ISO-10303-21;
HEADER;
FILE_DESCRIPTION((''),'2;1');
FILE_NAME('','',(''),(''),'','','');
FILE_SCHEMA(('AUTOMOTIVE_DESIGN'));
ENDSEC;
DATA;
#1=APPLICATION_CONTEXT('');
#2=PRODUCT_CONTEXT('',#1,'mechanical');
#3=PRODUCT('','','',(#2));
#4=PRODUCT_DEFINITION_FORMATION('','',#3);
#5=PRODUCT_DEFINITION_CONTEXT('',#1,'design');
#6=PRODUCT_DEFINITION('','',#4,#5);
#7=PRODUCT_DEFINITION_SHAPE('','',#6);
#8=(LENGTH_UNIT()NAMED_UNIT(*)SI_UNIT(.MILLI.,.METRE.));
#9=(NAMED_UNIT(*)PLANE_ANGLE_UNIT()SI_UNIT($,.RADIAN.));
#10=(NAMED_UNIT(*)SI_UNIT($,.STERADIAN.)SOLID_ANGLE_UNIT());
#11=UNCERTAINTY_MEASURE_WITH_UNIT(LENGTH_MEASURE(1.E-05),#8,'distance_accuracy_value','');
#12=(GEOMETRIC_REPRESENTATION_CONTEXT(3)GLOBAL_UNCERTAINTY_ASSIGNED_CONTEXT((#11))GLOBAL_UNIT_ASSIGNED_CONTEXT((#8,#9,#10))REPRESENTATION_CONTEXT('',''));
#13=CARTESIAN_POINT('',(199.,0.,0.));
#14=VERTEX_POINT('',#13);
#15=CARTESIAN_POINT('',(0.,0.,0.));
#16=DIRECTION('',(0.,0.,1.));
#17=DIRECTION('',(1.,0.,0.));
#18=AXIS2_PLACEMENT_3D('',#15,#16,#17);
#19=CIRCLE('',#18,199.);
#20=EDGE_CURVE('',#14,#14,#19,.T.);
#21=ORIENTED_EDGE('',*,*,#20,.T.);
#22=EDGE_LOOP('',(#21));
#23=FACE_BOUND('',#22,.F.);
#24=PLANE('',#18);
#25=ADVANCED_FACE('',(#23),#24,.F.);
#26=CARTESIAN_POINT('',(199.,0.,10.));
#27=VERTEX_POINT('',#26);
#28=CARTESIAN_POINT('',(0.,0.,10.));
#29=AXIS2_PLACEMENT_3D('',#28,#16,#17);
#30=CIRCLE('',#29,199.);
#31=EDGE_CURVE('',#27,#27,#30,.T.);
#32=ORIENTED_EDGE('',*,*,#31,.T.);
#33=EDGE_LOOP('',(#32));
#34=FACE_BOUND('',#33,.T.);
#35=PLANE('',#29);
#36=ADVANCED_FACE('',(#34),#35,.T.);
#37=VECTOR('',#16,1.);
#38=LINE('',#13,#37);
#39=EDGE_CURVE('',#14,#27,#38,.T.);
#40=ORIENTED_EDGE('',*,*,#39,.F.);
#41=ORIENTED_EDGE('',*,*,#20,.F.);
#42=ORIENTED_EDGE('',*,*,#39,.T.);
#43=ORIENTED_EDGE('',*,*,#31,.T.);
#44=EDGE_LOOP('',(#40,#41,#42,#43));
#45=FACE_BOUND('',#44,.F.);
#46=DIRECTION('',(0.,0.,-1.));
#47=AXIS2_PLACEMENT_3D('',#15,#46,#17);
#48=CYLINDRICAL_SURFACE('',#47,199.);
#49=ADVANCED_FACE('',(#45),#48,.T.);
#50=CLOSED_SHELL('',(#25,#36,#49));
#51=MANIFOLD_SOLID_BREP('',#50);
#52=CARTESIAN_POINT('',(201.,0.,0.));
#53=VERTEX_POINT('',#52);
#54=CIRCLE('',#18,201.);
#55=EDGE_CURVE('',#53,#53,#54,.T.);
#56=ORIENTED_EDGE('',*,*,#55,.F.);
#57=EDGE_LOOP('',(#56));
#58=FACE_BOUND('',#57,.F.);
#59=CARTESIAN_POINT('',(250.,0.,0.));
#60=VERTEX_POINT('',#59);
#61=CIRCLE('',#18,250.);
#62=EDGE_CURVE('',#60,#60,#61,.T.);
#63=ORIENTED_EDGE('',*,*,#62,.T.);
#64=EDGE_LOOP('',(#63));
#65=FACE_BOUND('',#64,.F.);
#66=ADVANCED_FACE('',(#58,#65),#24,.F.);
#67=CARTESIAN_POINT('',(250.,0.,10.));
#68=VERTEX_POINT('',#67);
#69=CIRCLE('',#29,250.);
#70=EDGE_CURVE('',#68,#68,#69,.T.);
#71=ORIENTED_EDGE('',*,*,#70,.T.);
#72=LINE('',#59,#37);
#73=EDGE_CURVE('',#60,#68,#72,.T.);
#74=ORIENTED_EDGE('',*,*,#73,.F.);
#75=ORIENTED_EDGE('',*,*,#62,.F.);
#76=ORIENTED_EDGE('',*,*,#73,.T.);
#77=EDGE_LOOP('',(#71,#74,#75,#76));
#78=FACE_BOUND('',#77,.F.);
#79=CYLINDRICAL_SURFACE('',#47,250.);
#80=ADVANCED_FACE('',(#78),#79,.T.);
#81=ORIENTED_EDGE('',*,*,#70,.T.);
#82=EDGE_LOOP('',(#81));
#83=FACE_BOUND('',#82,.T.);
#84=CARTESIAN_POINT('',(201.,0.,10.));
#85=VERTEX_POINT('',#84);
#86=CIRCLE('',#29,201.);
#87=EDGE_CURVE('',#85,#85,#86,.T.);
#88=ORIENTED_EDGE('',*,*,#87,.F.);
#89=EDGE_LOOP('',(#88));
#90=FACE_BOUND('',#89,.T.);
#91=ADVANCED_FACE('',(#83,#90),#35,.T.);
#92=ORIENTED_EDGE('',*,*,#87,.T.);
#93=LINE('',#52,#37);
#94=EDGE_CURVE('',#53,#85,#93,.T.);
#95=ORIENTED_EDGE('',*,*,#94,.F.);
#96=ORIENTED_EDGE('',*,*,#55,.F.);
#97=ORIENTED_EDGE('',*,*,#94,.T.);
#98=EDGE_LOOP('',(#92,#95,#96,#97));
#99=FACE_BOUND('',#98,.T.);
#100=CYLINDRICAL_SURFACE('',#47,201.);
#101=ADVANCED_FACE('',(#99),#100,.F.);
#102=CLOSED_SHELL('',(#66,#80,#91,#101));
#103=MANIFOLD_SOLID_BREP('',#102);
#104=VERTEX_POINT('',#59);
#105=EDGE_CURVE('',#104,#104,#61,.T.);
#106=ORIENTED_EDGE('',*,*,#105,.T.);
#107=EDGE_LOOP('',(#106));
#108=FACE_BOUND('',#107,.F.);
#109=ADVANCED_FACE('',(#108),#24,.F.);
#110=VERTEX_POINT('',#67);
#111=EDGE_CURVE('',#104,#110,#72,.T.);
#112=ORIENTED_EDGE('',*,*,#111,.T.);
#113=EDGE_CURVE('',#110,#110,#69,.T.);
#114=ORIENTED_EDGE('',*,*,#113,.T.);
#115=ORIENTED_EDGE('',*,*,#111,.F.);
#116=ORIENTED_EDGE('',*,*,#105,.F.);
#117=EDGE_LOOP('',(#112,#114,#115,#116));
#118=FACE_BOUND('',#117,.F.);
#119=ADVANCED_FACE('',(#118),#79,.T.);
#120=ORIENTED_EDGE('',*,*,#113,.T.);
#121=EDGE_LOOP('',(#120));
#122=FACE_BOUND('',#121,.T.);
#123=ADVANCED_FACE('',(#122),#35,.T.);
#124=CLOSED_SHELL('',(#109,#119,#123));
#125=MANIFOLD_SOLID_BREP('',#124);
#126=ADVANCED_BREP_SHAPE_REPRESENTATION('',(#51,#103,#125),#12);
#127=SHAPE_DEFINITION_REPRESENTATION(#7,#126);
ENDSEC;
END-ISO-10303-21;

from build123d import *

# Parameters (mm, degrees)
CYLINDER_R        = 199
CYLINDER_DEPTH    = 10
TUBE_R            = 250
TUBE_R_2          = 201
TUBE_DEPTH        = 10
CYLINDER001_R     = 250
CYLINDER001_DEPTH = 10


with BuildPart() as inner:
    # Cylinder → Cylinder (new body)
    with BuildSketch(Plane.XY):
        Circle(CYLINDER_R)
    extrude(amount=CYLINDER_DEPTH)


with BuildPart() as outer:
    # Tube → Tube (new body)
    with BuildSketch(Plane.XY):
        Circle(TUBE_R)
        Circle(TUBE_R_2, mode=Mode.SUBTRACT)
    extrude(amount=TUBE_DEPTH)


with BuildPart() as full:
    # Cylinder001 → Cylinder001 (new body)
    with BuildSketch(Plane.XY):
        Circle(CYLINDER001_R)
    extrude(amount=CYLINDER001_DEPTH)


solid = Compound([inner.part, outer.part, full.part])
